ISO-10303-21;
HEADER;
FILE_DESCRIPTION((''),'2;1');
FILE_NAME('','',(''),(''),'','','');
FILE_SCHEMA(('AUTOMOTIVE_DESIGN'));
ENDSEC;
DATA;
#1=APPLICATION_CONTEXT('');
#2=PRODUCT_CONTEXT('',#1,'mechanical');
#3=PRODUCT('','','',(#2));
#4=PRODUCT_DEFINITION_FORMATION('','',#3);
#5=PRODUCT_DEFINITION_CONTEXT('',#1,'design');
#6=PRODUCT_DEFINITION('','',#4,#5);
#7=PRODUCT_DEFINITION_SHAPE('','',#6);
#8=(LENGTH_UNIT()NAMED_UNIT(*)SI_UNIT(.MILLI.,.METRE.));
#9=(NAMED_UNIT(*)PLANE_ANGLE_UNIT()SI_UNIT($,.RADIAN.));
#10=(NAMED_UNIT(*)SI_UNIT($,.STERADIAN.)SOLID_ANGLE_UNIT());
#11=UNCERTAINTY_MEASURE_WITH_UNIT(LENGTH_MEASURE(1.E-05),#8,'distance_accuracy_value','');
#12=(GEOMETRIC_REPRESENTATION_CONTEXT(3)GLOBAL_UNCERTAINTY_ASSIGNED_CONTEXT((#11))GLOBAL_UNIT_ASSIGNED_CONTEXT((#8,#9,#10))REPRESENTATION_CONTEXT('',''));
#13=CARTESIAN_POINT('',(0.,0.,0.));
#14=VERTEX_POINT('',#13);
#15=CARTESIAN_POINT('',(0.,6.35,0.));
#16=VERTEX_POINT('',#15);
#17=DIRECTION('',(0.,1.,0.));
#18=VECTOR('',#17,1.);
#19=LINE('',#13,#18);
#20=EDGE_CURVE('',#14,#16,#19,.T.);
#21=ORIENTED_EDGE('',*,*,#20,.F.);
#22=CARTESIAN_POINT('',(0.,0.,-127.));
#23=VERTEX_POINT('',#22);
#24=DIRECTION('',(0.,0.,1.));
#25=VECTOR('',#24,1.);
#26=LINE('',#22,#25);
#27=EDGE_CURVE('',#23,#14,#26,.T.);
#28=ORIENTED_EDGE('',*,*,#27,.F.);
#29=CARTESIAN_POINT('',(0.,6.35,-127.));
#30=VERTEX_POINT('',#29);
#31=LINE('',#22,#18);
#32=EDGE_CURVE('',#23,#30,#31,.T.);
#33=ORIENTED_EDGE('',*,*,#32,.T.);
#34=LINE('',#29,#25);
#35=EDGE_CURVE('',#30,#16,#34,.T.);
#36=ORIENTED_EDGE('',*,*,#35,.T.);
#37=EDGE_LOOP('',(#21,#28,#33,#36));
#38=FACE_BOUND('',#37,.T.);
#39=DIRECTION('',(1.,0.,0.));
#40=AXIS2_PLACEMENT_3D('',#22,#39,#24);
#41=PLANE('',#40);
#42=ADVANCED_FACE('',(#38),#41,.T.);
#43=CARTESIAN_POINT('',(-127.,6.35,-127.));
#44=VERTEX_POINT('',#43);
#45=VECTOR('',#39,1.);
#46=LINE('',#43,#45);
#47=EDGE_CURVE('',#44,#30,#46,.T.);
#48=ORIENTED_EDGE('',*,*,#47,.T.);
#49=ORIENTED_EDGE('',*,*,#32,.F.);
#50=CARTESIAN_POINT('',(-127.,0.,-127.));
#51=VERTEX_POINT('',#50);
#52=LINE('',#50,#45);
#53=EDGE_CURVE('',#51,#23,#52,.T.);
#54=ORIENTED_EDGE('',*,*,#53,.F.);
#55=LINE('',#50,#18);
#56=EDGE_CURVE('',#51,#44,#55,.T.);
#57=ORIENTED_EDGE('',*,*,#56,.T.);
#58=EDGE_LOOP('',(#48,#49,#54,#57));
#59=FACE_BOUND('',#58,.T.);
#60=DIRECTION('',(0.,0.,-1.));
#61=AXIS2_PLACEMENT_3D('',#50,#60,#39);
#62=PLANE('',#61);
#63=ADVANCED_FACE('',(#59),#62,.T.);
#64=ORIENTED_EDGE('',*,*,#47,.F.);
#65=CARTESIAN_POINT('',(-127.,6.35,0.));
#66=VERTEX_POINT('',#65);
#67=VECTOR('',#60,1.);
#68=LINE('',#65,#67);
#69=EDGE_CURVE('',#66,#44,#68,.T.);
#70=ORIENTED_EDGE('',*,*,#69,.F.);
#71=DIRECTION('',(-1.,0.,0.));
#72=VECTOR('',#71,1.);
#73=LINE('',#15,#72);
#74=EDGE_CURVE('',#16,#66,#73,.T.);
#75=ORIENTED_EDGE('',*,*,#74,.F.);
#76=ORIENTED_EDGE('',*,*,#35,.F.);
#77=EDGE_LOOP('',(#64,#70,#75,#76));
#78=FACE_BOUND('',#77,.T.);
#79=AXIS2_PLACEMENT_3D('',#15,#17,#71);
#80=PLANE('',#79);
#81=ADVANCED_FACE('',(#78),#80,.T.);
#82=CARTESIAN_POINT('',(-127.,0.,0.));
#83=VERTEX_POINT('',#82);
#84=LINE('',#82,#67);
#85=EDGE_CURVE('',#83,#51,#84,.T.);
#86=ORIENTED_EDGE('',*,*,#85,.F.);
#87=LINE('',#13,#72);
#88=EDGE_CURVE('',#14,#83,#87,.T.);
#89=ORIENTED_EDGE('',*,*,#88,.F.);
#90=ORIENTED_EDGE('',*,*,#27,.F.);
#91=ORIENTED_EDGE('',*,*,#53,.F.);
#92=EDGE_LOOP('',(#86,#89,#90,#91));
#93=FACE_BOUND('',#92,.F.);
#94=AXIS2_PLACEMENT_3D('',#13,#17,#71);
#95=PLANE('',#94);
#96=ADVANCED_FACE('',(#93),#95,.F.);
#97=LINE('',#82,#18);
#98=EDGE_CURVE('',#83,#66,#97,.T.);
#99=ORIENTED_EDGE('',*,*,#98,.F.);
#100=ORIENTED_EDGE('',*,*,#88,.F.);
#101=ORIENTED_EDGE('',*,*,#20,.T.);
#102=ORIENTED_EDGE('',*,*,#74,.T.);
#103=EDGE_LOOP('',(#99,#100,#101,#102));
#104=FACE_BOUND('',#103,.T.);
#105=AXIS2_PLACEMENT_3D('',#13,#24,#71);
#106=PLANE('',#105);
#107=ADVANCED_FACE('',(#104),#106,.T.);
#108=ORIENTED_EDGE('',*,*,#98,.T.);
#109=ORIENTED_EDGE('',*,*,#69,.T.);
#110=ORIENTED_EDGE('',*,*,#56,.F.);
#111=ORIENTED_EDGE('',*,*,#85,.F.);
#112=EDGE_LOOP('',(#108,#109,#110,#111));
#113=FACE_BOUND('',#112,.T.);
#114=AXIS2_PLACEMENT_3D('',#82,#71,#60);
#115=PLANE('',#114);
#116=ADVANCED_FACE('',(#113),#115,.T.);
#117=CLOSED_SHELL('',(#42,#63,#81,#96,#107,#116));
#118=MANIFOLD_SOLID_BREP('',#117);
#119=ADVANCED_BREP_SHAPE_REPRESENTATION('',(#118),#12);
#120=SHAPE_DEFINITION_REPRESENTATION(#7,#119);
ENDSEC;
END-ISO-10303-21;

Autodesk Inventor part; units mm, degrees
ref_plane "YZ Plane" through (0, 0, 0) normal (1, 0, 0) x (0, 1, 0)
ref_plane "XZ Plane" through (0, 0, 0) normal (0, 1, 0) x (-1, 0, 0)
ref_plane "XY Plane" through (0, 0, 0) normal (0, 0, 1) x (1, 0, 0)
sketch "Sketch1" plane through (0, 0, 0) normal (0, 1, 0) x (-1, 0, 0)
  line L0 (0, 0) -> (127, 0)
  line L1 (127, 0) -> (127, -127)
  line L2 (127, -127) -> (0, -127)
  line L3 (0, -127) -> (0, 0)
  dimension "d0" = 127
  dimension "d1" = 127
extrude "Extrusion1" add sketch "Sketch1" along normal blind 6.35
properties part number "Wall"
